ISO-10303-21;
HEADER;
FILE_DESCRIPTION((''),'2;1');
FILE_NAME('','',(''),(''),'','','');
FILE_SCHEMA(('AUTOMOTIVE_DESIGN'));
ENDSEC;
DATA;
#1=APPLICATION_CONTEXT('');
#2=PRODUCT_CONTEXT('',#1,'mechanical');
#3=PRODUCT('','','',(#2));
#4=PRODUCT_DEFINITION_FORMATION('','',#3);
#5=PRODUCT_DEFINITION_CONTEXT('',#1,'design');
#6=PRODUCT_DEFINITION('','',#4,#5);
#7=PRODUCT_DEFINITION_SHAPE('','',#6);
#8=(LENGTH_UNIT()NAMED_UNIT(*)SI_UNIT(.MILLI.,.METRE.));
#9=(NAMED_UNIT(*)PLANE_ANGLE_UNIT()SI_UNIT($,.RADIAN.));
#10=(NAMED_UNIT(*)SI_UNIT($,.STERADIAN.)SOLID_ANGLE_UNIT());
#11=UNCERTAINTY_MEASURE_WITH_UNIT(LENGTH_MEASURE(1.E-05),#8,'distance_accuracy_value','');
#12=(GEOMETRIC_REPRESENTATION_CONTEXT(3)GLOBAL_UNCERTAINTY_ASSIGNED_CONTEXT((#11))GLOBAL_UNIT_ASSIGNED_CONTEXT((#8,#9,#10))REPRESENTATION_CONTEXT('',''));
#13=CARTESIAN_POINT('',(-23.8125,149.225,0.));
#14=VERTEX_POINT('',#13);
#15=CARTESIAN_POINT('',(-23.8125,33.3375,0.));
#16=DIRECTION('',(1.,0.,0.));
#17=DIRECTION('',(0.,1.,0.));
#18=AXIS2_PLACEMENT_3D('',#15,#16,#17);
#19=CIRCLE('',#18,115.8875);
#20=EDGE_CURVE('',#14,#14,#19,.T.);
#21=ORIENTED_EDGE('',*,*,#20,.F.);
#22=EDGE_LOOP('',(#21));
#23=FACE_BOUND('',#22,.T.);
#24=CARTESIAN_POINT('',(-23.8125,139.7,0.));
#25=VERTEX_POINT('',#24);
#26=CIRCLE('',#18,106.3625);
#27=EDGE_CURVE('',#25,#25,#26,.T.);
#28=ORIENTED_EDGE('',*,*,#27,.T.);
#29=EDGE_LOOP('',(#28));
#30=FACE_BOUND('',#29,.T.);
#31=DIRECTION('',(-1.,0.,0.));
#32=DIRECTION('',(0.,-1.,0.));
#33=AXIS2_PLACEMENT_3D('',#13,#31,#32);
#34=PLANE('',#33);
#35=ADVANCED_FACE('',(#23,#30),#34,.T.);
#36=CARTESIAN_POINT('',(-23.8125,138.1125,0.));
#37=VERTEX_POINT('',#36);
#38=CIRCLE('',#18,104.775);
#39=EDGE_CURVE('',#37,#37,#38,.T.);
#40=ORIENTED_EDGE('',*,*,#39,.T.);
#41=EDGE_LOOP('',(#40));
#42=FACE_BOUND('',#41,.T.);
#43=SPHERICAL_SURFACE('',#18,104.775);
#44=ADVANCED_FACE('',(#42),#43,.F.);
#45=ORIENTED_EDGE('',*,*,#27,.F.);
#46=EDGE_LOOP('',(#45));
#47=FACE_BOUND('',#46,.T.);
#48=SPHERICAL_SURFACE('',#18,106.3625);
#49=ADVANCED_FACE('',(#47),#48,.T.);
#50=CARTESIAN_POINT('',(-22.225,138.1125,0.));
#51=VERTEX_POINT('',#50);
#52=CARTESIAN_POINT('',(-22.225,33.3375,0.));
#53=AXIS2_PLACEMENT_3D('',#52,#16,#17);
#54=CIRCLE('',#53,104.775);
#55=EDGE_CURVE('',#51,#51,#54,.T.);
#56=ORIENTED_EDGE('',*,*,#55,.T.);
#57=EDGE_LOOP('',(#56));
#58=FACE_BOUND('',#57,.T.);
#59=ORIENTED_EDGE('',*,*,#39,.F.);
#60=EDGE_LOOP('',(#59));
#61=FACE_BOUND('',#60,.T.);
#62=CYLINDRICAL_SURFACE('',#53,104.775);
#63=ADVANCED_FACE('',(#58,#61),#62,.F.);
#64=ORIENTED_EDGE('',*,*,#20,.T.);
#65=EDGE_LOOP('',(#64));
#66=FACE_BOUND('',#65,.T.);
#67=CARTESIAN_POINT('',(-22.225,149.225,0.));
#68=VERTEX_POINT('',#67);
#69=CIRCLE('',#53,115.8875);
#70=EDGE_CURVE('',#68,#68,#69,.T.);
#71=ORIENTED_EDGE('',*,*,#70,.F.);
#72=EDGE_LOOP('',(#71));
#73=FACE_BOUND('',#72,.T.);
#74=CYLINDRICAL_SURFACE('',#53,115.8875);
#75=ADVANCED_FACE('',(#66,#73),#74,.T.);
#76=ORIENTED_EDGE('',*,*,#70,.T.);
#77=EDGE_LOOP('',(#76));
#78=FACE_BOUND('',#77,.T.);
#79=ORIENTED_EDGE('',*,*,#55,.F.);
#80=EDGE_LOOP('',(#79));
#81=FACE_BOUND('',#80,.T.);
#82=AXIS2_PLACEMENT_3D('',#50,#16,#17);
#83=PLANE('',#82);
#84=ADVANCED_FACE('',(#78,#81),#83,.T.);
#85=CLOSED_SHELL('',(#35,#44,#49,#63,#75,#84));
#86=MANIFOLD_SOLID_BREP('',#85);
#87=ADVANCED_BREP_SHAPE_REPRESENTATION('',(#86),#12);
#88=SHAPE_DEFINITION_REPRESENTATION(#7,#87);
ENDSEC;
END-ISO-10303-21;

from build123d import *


with BuildPart() as part:
    # Sketch1 → Revolve1 (revolve)
    with BuildSketch(Plane.XY):
        with BuildLine():
            Line((-22.225, 138.1125), (-22.225, 149.225))
            Line((-22.225, 149.225), (-23.8125, 149.225))
            Line((-23.8125, 149.225), (-23.8125, 139.7))
            ThreePointArc((-23.8125, 139.7), (-99.022145014, 108.547145014), (-130.175, 33.3375))
            Line((-130.175, 33.3375), (-128.5875, 33.3375))
            ThreePointArc((-128.5875, 33.3375), (-97.899612999, 107.424612999), (-23.8125, 138.1125))
            Line((-23.8125, 138.1125), (-22.225, 138.1125))
        make_face()
    revolve(axis=Axis((-22.225, 33.3375, 0), (-1, 0, 0)))


solid = part.part
